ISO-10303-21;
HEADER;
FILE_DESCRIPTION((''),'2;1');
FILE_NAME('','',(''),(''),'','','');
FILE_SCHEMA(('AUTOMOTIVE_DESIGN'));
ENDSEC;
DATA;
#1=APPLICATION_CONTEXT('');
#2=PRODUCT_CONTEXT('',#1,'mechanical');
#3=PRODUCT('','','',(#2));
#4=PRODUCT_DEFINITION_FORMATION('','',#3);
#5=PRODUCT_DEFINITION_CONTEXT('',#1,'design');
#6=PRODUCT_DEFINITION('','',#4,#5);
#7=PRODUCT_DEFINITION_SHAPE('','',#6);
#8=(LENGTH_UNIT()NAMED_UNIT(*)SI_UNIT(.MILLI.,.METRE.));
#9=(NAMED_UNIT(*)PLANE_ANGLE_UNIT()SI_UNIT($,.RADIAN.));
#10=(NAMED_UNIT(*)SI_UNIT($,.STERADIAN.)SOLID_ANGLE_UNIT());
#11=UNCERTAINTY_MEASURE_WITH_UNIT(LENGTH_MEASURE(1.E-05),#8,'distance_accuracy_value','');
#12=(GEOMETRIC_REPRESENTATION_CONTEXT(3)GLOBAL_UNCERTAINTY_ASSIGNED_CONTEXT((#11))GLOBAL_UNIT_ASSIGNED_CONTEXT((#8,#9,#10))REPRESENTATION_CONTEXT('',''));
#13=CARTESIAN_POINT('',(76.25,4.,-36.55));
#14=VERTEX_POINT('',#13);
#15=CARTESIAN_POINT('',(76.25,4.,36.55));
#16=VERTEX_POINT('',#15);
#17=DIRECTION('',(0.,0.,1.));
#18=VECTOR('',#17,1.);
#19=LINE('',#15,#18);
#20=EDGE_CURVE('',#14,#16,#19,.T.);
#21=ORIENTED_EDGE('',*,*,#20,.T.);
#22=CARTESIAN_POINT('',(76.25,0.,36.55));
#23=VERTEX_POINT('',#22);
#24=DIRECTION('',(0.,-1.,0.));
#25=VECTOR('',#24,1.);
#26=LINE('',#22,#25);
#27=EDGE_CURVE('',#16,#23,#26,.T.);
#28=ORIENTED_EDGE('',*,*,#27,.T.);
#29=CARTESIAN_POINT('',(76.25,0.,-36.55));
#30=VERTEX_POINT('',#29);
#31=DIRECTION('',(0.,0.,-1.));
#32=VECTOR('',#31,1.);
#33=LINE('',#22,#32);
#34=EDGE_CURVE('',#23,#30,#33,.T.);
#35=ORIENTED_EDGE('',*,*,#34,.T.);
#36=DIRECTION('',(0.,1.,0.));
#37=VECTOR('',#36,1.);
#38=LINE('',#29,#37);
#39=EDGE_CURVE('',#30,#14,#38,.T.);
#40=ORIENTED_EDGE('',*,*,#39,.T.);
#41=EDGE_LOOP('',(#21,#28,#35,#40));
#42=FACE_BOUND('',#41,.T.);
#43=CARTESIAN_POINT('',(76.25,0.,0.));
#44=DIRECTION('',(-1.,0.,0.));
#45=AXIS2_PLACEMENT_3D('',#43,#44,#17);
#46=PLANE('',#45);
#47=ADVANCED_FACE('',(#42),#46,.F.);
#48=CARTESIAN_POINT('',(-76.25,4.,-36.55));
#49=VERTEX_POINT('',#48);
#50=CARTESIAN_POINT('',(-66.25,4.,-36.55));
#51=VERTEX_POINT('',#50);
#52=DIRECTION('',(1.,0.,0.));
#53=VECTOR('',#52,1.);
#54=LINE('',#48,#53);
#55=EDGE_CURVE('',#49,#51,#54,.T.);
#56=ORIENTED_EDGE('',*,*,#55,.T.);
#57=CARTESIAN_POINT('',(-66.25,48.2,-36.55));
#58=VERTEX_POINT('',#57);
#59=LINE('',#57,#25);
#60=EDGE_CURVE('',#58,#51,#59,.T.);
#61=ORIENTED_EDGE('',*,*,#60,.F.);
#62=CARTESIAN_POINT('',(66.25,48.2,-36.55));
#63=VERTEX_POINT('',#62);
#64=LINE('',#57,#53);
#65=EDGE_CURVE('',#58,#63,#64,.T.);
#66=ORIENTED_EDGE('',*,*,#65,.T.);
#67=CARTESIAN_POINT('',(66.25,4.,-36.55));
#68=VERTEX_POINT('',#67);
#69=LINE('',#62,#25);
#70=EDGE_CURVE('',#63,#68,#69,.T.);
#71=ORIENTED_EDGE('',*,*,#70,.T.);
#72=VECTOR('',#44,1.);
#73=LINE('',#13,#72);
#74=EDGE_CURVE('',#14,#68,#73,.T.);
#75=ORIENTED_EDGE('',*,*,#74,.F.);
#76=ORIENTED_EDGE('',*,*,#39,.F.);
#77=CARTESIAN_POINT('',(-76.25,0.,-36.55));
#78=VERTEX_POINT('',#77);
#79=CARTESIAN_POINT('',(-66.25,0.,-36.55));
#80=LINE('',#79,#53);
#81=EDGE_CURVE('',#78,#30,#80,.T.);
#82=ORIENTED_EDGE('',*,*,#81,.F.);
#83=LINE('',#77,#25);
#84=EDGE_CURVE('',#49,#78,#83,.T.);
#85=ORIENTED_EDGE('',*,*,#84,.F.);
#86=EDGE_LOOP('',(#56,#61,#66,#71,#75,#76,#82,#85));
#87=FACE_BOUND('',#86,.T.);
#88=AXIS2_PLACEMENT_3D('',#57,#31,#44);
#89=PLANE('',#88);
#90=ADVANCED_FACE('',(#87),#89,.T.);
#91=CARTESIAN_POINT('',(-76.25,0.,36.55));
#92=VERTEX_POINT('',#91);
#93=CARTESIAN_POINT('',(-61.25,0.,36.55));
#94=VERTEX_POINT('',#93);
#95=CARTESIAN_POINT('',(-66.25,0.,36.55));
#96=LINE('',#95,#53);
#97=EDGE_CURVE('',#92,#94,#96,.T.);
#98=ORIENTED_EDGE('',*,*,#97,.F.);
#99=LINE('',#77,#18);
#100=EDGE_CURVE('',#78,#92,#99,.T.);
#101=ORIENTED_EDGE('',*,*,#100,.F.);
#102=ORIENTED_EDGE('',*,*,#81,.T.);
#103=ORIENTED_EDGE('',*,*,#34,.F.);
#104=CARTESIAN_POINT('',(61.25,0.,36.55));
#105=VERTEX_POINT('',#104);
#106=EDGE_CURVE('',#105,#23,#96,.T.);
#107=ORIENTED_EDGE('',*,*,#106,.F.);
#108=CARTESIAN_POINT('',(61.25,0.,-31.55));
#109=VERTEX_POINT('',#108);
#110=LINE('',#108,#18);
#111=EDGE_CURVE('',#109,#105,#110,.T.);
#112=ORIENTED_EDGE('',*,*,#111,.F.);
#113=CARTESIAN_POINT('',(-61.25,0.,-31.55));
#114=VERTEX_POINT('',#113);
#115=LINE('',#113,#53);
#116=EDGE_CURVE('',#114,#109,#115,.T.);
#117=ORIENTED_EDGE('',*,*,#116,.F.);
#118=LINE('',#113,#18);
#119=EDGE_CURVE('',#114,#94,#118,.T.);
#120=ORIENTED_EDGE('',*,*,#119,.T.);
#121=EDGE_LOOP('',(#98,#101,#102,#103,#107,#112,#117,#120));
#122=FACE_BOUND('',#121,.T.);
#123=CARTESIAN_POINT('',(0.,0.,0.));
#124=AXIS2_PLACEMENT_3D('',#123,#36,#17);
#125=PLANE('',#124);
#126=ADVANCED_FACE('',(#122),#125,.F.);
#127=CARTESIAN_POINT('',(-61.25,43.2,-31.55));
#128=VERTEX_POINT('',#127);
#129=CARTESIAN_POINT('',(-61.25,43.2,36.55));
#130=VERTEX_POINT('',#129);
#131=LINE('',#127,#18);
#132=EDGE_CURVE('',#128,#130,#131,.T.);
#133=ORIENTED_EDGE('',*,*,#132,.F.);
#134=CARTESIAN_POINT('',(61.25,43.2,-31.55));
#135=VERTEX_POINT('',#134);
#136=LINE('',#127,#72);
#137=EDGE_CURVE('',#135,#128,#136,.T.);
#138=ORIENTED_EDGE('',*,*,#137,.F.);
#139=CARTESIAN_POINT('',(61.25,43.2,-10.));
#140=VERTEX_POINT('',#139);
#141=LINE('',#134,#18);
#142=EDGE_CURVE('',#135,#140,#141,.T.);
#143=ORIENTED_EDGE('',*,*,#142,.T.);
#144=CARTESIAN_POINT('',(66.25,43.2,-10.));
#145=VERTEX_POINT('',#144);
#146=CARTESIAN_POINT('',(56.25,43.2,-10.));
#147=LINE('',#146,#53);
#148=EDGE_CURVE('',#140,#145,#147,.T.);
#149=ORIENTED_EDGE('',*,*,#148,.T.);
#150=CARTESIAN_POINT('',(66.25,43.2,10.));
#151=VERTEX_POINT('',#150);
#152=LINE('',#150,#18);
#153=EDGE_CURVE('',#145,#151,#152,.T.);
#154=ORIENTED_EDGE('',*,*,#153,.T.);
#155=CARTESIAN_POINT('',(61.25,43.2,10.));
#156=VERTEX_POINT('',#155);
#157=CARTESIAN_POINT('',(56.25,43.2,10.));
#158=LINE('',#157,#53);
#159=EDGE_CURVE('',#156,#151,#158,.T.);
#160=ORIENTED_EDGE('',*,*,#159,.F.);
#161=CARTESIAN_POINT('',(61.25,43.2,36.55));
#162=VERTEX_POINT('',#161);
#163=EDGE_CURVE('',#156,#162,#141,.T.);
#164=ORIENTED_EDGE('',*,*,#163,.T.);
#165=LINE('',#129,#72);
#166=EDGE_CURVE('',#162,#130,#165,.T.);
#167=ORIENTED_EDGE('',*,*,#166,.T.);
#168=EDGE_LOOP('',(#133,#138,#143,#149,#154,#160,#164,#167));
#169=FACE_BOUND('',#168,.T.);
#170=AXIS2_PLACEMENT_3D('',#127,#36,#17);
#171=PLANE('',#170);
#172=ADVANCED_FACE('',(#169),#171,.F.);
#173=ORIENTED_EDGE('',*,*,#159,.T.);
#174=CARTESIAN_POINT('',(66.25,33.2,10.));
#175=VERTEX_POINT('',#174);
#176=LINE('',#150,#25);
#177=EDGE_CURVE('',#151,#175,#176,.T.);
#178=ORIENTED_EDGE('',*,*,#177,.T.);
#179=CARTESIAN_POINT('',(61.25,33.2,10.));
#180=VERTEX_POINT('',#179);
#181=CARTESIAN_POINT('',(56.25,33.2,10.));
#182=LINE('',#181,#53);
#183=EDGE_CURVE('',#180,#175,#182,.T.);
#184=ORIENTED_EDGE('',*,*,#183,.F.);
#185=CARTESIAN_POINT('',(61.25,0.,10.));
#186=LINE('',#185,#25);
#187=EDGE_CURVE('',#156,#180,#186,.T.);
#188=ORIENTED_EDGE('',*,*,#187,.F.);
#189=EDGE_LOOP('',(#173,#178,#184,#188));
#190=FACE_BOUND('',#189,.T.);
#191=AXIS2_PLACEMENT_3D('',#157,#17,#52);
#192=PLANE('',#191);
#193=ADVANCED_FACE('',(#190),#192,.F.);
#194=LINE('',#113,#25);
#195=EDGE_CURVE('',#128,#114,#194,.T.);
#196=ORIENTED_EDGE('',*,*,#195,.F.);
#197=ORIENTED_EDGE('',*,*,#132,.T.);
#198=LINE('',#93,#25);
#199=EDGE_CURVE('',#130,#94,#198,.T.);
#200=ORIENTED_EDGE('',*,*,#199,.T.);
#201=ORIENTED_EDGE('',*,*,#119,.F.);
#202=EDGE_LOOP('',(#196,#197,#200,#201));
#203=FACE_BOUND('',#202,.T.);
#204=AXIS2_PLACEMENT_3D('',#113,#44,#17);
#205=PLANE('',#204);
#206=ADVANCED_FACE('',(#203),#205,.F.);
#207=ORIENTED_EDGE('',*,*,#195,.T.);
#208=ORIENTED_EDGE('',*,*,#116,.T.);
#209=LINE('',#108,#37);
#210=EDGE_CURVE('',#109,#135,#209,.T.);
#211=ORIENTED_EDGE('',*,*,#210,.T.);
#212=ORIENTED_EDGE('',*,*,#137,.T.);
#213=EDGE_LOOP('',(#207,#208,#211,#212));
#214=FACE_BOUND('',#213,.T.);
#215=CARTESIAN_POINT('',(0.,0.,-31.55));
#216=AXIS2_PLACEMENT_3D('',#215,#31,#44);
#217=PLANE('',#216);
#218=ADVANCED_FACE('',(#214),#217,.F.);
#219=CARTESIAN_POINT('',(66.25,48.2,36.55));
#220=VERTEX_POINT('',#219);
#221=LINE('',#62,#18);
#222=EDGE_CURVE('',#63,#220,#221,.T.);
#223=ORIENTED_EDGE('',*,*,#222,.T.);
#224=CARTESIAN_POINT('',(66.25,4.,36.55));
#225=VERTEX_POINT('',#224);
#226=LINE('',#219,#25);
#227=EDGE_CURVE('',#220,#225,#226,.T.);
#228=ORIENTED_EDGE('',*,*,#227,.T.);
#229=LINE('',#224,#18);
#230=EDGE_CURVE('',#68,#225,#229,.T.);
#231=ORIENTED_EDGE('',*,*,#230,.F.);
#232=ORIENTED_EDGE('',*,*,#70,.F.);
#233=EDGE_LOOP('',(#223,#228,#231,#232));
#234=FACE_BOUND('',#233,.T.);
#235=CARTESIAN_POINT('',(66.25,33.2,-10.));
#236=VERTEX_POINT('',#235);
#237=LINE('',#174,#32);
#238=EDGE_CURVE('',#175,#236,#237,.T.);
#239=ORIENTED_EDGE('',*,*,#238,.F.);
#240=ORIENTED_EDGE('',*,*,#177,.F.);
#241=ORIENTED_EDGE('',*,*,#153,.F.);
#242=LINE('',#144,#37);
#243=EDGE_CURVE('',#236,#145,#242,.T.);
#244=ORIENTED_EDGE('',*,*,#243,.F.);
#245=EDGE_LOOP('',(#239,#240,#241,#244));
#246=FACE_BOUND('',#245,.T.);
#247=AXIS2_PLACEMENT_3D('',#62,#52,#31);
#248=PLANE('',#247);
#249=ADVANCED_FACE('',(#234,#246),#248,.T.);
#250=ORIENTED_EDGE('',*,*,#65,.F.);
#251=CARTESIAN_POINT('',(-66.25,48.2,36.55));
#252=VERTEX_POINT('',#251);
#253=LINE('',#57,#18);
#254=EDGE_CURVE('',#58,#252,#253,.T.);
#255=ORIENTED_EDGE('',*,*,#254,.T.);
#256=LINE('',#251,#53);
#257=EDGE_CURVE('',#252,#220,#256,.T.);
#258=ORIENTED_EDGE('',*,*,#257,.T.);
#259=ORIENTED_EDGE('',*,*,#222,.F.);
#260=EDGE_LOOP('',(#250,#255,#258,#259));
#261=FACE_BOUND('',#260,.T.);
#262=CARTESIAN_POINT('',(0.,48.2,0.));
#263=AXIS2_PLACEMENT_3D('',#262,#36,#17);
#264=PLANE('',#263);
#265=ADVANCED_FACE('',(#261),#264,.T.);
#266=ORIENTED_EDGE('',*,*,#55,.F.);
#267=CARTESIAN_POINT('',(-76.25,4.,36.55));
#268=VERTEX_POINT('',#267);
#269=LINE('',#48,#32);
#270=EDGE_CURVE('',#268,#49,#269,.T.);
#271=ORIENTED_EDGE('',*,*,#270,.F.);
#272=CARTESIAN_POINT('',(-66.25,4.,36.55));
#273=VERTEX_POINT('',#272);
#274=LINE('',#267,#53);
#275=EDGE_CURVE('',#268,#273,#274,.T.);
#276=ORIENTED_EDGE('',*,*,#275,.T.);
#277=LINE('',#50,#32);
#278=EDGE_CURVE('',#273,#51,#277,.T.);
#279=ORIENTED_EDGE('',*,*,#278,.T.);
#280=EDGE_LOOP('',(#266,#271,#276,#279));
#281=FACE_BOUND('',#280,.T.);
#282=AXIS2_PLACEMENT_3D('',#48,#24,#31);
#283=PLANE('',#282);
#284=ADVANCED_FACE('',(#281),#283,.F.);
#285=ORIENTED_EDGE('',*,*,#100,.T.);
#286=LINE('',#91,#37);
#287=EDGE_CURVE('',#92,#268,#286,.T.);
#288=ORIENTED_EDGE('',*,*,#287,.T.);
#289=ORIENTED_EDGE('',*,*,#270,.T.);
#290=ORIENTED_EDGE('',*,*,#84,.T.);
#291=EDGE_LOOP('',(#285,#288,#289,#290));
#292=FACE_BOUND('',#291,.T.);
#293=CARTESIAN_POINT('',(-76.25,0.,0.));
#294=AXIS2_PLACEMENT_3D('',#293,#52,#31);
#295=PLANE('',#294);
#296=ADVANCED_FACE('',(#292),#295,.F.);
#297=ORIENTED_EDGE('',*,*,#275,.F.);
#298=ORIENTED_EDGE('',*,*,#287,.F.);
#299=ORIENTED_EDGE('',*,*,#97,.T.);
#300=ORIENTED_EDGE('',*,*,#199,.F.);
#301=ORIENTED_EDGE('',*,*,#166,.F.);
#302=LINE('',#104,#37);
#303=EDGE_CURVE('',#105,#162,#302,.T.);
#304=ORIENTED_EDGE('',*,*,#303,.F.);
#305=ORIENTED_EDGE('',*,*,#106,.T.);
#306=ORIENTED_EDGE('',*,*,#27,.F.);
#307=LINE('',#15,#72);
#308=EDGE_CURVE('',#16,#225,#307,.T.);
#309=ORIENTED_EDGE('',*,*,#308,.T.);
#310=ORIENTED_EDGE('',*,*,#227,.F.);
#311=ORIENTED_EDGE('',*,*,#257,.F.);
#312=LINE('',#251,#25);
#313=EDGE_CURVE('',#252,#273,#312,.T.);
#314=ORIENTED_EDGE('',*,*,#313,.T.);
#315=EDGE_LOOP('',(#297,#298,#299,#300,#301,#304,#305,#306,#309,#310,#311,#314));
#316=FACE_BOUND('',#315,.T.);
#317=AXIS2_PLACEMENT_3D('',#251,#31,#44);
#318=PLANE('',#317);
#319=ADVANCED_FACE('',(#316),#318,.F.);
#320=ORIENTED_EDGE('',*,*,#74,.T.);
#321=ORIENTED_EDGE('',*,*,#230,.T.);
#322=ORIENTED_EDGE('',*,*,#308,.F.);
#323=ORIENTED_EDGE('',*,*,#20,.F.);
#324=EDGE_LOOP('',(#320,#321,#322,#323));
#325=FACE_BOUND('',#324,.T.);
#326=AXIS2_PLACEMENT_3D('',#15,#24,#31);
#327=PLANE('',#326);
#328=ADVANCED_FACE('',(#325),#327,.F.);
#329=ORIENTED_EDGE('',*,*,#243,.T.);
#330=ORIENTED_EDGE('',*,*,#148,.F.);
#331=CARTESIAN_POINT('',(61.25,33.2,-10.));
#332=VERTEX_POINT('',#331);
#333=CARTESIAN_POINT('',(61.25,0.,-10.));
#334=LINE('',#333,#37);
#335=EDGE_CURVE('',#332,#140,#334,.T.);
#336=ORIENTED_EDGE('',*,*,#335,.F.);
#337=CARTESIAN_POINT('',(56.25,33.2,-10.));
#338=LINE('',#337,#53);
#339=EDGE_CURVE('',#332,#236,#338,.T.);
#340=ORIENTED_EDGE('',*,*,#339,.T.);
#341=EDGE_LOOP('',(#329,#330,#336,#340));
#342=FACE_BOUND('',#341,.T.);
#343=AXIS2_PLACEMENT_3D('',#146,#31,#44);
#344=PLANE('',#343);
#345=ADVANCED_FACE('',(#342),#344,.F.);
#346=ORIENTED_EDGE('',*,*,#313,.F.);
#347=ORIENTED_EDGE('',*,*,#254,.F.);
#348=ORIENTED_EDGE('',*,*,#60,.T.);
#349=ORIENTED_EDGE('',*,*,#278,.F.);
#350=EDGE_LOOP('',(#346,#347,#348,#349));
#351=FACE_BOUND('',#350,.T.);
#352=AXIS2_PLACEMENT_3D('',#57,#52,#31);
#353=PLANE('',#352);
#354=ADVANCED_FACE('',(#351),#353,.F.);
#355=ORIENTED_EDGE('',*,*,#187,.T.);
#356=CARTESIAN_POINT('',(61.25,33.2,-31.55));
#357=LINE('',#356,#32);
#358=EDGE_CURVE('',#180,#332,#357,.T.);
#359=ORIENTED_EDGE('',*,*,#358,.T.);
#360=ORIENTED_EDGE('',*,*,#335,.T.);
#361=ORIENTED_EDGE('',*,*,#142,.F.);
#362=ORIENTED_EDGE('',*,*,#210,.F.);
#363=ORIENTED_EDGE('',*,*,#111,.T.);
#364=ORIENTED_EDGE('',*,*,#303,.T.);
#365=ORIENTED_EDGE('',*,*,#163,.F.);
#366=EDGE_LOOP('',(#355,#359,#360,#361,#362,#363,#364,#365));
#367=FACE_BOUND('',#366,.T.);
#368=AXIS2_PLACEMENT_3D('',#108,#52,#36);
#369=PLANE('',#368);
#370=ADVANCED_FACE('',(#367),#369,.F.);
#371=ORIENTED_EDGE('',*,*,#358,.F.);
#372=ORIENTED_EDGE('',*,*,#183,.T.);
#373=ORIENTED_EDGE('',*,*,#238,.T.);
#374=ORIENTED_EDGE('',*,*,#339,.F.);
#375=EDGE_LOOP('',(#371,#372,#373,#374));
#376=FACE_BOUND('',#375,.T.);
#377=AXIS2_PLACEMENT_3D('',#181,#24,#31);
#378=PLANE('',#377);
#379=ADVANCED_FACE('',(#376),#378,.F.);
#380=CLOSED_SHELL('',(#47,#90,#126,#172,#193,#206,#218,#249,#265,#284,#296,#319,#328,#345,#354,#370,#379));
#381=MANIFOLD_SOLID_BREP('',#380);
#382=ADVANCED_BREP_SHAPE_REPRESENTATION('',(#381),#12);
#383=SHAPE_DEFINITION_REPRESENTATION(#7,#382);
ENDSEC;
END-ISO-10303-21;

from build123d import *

# Parameters (mm, degrees)
SKETCH_1_W          = 132.5
SKETCH_1_H          = 73.1
EXTRUDE_1_DEPTH     = 48.2
SKETCH_3_W          = 122.5
SKETCH_3_H          = 43.2
CUT_EXTRUDE_1_DEPTH = 68.1
SKETCH_7_W          = 20
SKETCH_7_H          = 10
CUT_EXTRUDE_2_DEPTH = 10
SKETCH_8_W          = 73.1
SKETCH_8_H          = 4
EXTRUDE_2_DEPTH     = 10
SKETCH_9_W          = 73.1
SKETCH_9_H          = 4
EXTRUDE_3_DEPTH     = 10


with BuildPart() as part:
    # 草圖1 → 填料-伸長1 (new body)
    with BuildSketch(Plane(origin=(0, 0, 0), x_dir=(1, 0, 0), z_dir=(0, 1, 0))):
        Rectangle(SKETCH_1_W, SKETCH_1_H)
    extrude(amount=EXTRUDE_1_DEPTH)

    # 草圖3 → 除料-伸長1 (cut)
    with BuildSketch(Plane.XY.offset(36.55)):
        with Locations((0, 21.6)):
            Rectangle(SKETCH_3_W, SKETCH_3_H)
    extrude(amount=-CUT_EXTRUDE_1_DEPTH, mode=Mode.SUBTRACT)

    # 草圖7 → 除料-伸長2 (cut)
    with BuildSketch(Plane(origin=(66.25, 0, 0), x_dir=(0, 0, -1), z_dir=(1, 0, 0))):
        with Locations((0, 38.2)):
            Rectangle(SKETCH_7_W, SKETCH_7_H)
    extrude(amount=-CUT_EXTRUDE_2_DEPTH, mode=Mode.SUBTRACT)

    # 草圖8 → 填料-伸長2 (add)
    with BuildSketch(Plane(origin=(66.25, 0, 0), x_dir=(0, 0, -1), z_dir=(1, 0, 0))):
        with Locations((0, 2)):
            Rectangle(SKETCH_8_W, SKETCH_8_H)
    extrude(amount=EXTRUDE_2_DEPTH)

    # 草圖9 → 填料-伸長3 (add)
    with BuildSketch(Plane.ZY.offset(66.25)):
        with Locations((0, 2)):
            Rectangle(SKETCH_9_W, SKETCH_9_H)
    extrude(amount=EXTRUDE_3_DEPTH)


solid = part.part
